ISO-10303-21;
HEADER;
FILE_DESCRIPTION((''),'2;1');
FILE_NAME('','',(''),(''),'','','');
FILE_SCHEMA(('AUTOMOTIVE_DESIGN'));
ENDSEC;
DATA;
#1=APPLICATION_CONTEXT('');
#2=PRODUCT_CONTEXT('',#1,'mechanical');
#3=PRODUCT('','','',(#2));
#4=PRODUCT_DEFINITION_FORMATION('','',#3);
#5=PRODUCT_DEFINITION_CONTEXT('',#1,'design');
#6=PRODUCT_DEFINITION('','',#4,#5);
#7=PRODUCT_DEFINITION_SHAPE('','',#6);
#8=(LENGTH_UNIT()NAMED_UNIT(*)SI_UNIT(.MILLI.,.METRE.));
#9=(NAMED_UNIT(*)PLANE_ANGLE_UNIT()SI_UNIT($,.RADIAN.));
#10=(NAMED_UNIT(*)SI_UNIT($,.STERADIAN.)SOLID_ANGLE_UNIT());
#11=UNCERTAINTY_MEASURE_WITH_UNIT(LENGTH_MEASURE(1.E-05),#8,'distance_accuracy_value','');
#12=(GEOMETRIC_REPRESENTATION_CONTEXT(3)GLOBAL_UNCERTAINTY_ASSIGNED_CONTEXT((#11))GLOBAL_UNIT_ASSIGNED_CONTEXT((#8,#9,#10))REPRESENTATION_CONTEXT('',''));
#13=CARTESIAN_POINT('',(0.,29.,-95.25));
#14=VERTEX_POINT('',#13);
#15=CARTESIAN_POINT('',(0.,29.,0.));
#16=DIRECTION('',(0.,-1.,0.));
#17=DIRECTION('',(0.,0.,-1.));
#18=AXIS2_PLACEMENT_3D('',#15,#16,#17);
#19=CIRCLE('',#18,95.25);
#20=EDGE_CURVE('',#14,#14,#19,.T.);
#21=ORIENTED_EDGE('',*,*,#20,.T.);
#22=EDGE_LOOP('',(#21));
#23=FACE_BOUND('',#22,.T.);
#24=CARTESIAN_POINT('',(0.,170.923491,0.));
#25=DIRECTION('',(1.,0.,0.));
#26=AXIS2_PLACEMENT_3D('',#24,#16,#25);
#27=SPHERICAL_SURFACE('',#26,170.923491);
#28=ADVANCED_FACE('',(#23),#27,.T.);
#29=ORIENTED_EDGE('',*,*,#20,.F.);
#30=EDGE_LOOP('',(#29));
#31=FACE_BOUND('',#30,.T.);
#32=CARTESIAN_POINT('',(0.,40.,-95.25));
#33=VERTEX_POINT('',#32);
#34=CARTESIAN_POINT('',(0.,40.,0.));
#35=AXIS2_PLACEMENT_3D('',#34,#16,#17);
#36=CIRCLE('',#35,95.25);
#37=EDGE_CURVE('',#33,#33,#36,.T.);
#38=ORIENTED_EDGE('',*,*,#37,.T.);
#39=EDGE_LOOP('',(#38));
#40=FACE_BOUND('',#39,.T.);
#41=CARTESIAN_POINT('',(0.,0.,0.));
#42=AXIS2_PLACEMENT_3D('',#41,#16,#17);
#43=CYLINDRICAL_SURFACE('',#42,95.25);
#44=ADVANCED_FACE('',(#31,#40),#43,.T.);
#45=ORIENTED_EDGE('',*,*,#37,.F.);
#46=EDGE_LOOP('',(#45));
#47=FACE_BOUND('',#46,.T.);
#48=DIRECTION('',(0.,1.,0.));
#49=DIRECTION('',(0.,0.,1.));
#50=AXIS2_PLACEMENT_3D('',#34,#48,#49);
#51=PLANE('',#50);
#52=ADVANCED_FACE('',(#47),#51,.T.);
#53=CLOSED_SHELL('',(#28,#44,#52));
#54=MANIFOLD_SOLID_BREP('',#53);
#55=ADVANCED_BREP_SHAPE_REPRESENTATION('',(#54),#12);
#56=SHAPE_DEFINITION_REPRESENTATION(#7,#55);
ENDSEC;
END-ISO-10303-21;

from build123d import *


with BuildPart() as part:
    # Sketch1 → Revolve1 (revolve)
    with BuildSketch(Plane.XY):
        with BuildLine():
            Line((0, 0), (0, 29))
            Line((0, 29), (0, 40))
            Line((0, 40), (95.25, 40))
            Line((95.25, 40), (95.25, 29))
            ThreePointArc((95.25, 29), (49.783437256, 7.410650048), (0, 0))
        make_face()
    revolve(axis=Axis((0, 0, 0), (0, 1, 0)))


solid = part.part
